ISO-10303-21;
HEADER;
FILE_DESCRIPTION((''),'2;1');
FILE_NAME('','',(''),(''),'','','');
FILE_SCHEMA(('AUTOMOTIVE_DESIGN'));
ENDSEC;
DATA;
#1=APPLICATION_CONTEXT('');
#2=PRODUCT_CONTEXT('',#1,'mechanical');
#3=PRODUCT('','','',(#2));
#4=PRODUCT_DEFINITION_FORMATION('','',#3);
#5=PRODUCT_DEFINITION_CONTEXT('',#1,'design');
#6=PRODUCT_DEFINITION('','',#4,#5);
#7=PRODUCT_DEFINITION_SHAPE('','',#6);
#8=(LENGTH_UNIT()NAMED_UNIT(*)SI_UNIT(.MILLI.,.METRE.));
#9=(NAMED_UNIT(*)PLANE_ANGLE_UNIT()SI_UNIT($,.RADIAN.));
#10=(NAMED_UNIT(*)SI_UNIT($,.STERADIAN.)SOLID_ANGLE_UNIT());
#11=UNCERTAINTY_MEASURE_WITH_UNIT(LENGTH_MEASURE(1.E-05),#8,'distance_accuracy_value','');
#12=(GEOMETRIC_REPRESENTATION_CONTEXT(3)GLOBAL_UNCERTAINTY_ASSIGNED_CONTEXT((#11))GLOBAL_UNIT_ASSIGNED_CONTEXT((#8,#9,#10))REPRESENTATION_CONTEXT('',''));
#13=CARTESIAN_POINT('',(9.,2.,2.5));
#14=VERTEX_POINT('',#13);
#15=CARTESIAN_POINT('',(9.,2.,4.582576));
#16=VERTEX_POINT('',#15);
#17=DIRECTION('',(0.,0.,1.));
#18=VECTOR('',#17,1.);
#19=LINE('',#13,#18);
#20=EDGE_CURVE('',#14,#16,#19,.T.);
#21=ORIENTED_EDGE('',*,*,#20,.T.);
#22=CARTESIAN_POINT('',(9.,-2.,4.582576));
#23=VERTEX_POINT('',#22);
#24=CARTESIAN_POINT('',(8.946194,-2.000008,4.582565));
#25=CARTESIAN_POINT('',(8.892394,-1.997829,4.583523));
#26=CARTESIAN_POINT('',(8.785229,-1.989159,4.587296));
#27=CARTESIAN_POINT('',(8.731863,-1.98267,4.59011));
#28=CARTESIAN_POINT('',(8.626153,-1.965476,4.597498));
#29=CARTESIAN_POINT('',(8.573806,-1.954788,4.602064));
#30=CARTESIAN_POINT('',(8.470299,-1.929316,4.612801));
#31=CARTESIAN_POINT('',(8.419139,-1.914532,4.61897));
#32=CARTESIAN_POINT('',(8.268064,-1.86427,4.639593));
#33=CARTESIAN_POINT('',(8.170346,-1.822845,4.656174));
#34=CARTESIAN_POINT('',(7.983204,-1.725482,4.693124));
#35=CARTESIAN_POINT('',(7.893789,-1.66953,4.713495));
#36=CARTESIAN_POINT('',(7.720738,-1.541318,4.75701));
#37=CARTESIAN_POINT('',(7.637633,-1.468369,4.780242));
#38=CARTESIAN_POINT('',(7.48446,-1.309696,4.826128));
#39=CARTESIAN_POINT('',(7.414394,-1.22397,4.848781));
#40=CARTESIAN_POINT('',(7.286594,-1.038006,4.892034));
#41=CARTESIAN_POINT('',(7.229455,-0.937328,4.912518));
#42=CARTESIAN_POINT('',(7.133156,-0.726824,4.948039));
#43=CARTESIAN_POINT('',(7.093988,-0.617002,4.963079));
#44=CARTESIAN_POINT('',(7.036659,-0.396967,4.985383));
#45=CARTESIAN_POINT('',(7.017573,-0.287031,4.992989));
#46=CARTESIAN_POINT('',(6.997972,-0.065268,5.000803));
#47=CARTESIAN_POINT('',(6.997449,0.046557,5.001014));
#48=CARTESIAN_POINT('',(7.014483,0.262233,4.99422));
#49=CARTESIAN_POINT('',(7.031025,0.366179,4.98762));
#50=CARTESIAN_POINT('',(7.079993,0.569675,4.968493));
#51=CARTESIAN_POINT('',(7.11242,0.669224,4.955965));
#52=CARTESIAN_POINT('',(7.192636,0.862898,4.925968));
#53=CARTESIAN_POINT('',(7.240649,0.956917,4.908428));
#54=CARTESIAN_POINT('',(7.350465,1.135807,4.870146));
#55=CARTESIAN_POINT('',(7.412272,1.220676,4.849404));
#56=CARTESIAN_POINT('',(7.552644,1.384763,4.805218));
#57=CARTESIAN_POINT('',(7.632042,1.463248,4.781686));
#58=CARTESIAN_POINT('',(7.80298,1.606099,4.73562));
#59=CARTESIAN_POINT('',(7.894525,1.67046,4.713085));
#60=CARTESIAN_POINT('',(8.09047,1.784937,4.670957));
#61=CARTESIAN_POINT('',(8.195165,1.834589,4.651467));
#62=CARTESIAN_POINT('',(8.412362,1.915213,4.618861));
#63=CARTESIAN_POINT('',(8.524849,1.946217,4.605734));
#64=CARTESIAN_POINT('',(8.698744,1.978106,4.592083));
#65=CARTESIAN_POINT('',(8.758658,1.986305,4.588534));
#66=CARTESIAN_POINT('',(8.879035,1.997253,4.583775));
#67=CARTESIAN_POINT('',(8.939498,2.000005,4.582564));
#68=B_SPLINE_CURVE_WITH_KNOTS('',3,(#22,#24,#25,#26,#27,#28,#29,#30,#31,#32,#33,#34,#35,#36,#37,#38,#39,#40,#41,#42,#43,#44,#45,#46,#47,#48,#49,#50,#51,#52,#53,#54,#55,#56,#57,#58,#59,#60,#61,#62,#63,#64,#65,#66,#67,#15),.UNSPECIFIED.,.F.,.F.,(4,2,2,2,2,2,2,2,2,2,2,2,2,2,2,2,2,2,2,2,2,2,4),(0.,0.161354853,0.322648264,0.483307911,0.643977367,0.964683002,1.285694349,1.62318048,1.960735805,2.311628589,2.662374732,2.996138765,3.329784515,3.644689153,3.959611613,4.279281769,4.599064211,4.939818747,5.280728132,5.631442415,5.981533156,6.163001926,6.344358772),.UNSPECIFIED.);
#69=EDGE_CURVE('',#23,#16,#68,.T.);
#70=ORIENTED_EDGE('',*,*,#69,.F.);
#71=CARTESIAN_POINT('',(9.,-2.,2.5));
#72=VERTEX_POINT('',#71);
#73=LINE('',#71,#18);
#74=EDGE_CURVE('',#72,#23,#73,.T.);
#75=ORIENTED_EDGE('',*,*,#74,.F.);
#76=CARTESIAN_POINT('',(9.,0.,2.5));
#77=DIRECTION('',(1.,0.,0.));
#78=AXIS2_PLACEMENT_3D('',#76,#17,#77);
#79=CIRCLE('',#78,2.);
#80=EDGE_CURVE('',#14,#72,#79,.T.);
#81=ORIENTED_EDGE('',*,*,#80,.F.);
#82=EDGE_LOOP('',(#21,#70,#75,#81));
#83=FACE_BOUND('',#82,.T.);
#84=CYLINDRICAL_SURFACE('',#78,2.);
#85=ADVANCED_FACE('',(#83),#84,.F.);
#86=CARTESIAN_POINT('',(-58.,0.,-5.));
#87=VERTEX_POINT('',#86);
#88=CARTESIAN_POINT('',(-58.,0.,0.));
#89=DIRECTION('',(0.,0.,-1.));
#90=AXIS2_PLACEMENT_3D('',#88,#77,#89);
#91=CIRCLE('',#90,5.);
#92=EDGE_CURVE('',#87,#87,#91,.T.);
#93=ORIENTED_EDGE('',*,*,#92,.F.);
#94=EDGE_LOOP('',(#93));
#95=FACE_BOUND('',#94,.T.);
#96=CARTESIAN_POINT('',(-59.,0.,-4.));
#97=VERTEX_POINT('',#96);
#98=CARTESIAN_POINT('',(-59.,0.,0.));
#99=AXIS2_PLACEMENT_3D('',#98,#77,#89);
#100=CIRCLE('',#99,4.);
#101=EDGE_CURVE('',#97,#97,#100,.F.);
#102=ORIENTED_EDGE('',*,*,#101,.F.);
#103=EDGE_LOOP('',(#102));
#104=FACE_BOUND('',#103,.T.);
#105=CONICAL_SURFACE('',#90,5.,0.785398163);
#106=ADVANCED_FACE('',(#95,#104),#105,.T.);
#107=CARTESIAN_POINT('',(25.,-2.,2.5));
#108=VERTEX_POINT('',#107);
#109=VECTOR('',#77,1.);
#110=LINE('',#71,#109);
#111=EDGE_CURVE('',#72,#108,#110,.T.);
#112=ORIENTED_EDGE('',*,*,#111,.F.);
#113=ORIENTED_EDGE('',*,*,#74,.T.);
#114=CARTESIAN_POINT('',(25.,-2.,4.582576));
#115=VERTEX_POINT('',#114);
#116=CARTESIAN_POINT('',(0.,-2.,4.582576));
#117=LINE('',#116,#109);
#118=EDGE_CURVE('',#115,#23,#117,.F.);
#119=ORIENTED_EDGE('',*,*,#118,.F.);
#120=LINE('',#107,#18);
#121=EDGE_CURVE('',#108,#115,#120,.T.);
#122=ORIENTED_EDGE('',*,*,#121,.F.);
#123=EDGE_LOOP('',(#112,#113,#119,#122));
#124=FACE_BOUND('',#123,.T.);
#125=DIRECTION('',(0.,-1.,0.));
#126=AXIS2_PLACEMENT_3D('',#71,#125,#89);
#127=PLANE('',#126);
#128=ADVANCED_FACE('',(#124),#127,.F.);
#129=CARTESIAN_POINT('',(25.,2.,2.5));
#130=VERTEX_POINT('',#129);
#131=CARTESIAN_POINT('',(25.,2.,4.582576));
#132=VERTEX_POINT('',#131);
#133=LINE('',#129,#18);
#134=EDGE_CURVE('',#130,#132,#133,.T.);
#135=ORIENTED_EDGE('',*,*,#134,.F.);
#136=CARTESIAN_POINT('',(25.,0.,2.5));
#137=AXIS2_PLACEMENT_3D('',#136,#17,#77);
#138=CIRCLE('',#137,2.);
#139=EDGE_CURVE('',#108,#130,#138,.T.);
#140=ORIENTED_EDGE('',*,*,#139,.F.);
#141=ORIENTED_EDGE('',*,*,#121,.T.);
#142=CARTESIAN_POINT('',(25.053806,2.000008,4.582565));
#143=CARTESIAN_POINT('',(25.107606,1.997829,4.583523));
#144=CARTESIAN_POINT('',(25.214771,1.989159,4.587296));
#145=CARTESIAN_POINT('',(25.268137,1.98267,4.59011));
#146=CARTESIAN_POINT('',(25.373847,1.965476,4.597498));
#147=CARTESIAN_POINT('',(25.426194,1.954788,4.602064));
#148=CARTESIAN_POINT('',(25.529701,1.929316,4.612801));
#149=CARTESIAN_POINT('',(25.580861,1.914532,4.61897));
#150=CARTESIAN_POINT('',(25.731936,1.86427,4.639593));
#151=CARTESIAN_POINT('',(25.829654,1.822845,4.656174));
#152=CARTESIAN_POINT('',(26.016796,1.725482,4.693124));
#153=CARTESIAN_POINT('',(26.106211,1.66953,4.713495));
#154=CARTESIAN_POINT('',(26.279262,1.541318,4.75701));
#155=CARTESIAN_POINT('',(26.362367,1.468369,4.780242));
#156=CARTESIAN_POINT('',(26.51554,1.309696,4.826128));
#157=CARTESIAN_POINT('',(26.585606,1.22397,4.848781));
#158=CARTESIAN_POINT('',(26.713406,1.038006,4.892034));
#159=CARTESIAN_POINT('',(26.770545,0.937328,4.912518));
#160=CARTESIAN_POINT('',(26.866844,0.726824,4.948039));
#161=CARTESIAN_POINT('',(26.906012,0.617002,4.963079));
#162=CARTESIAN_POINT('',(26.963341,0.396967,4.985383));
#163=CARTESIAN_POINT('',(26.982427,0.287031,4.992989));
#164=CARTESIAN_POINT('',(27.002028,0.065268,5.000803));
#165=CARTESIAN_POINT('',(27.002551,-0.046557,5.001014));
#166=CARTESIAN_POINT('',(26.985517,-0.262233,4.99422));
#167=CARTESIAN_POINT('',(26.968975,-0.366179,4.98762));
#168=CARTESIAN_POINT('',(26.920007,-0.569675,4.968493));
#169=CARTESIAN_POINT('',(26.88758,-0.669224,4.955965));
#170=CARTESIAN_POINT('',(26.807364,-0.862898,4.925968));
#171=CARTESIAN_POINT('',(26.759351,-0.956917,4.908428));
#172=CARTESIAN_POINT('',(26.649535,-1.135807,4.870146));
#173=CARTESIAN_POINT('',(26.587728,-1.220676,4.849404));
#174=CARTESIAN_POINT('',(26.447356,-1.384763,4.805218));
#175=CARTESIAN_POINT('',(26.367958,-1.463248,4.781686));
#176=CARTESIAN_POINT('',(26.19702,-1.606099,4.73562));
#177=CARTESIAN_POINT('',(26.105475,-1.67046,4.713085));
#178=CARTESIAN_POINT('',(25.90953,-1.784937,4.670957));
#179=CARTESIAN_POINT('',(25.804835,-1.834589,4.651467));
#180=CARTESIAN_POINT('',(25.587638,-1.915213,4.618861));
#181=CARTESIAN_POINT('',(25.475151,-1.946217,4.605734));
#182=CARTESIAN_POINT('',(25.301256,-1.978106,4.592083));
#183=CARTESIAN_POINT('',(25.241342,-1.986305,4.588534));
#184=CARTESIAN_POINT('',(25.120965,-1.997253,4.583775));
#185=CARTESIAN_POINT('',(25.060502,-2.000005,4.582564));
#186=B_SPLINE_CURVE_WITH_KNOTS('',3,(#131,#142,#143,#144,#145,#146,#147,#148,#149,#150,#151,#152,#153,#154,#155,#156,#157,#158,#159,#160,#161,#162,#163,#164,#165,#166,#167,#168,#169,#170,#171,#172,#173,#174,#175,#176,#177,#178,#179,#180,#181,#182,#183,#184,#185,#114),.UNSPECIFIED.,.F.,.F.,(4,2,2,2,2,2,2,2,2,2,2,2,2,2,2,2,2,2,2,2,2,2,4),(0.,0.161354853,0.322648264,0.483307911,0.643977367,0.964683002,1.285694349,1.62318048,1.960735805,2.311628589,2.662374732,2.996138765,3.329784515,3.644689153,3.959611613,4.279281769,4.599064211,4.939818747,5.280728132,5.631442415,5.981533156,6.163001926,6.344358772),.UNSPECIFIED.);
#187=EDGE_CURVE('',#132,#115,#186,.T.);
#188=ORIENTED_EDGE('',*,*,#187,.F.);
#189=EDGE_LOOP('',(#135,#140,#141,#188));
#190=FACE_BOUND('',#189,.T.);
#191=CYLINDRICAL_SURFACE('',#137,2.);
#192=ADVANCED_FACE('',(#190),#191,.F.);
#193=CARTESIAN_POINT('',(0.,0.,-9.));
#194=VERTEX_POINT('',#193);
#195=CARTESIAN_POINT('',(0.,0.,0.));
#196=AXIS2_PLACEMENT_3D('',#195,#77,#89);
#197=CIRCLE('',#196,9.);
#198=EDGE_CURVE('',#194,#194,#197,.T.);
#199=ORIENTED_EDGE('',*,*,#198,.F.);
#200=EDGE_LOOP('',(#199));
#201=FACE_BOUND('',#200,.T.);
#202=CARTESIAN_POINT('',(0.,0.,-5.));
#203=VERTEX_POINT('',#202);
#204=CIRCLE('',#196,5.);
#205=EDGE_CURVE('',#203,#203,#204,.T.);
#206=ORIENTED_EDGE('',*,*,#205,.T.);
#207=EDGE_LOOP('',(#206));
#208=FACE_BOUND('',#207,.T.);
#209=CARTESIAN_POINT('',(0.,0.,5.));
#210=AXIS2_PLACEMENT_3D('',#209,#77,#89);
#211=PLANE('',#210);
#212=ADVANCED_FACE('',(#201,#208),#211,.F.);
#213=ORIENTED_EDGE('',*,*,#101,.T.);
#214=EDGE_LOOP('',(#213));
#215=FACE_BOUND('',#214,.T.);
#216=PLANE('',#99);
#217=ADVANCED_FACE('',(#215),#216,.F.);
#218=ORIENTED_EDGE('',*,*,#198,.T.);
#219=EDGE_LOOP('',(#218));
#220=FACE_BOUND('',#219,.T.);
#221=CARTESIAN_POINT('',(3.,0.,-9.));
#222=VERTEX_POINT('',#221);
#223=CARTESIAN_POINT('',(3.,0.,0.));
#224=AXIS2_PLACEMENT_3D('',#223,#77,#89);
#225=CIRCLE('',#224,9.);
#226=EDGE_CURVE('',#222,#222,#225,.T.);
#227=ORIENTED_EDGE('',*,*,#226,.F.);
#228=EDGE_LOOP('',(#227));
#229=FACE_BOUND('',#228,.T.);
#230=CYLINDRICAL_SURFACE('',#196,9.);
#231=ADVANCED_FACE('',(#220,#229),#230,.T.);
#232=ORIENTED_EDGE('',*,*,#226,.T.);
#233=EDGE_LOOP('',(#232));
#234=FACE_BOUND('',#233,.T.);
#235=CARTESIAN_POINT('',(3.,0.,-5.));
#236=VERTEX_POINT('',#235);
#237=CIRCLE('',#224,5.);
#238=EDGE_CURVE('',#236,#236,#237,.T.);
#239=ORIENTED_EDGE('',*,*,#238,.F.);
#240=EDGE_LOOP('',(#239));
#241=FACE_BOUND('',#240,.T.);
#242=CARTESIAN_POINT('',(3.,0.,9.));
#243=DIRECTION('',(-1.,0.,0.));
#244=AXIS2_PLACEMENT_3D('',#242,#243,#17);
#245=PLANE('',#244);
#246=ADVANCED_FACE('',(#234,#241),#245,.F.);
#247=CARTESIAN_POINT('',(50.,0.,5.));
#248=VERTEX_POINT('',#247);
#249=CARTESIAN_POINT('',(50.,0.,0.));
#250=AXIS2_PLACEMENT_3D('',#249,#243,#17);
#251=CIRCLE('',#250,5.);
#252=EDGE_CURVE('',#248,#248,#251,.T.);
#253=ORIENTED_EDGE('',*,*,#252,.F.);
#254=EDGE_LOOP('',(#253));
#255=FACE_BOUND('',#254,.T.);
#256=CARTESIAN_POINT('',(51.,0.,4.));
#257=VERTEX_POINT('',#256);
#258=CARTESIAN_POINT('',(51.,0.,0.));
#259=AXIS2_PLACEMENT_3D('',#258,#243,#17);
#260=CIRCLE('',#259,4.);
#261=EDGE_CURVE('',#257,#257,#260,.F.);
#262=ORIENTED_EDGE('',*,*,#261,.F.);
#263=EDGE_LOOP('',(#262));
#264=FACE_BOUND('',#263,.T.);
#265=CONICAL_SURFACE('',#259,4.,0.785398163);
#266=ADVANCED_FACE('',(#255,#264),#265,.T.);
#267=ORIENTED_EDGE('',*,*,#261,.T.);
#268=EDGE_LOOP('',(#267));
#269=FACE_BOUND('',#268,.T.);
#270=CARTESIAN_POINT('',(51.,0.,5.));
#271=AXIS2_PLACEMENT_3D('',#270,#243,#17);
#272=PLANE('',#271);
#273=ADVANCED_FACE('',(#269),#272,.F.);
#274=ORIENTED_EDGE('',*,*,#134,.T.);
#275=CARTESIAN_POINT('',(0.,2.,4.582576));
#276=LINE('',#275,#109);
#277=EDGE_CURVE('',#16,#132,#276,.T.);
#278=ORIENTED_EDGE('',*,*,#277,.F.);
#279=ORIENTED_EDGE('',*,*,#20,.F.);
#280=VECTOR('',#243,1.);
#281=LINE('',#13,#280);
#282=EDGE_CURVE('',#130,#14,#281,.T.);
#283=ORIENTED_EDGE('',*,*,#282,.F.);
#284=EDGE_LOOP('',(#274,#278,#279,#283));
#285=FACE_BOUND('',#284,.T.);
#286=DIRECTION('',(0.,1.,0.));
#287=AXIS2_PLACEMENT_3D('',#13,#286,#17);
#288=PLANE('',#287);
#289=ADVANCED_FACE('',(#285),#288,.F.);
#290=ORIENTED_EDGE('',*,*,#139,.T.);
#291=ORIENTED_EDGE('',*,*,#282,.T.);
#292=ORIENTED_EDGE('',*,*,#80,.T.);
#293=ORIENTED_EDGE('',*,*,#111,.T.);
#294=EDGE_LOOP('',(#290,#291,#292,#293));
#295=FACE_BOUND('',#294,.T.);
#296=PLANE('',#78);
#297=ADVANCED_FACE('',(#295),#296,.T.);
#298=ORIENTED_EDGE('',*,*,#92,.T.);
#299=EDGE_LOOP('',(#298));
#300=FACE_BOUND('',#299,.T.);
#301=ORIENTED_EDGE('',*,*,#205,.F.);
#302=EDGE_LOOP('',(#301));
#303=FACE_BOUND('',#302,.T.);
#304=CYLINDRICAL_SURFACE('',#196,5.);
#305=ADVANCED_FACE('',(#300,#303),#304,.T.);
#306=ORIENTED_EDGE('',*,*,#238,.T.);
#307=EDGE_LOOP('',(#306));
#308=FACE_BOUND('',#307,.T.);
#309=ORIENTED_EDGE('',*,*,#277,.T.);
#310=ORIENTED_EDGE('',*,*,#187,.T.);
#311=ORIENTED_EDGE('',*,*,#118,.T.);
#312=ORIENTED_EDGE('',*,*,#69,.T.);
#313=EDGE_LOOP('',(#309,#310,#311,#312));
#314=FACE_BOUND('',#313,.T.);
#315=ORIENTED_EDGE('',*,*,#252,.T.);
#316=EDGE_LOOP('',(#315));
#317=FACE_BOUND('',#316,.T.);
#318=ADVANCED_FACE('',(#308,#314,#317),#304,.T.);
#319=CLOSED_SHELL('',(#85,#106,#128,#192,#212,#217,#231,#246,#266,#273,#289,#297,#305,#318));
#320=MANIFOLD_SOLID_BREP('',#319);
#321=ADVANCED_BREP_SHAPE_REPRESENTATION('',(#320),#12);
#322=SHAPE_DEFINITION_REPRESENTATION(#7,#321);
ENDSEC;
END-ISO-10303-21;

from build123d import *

# Parameters (mm, degrees)
CUT_EXTRUDE1_DEPTH = 2.5
CHAMFER1_SIZE      = 1


with BuildPart() as part:
    # Sketch1 → Revolve1 (revolve)
    with BuildSketch(Plane(origin=(0, 0, 0), x_dir=(1, 0, 0), z_dir=(0, 1, 0)), mode=Mode.PRIVATE) as revolve1_sk:
        Polygon((-59, 0), (-59, -5), (0, -5), (0, -9), (3, -9), (3, -5), (51, -5), (51, 0), align=None)
    revolve(revolve1_sk.sketch.rotate(Axis((0, 0, 0), (-1, 0, 0)), 180), axis=Axis((0, 0, 0), (-1, 0, 0)))

    # Sketch2 → Cut-Extrude1 (cut)
    with BuildSketch(Plane.XY.offset(5)):
        with BuildLine():
            Line((9, 2), (25, 2))
            ThreePointArc((25, 2), (27, 0), (25, -2))
            Line((25, -2), (9, -2))
            ThreePointArc((9, -2), (7, 0), (9, 2))
        make_face()
    extrude(amount=-CUT_EXTRUDE1_DEPTH, mode=Mode.SUBTRACT)

    # Chamfer1
    chamfer1_edges = [part.edges().sort_by_distance(p)[0] for p in [
        (51, 0, 5),
        (-59, 0, 5),
    ]]
    chamfer(chamfer1_edges, length=CHAMFER1_SIZE)


solid = part.part
